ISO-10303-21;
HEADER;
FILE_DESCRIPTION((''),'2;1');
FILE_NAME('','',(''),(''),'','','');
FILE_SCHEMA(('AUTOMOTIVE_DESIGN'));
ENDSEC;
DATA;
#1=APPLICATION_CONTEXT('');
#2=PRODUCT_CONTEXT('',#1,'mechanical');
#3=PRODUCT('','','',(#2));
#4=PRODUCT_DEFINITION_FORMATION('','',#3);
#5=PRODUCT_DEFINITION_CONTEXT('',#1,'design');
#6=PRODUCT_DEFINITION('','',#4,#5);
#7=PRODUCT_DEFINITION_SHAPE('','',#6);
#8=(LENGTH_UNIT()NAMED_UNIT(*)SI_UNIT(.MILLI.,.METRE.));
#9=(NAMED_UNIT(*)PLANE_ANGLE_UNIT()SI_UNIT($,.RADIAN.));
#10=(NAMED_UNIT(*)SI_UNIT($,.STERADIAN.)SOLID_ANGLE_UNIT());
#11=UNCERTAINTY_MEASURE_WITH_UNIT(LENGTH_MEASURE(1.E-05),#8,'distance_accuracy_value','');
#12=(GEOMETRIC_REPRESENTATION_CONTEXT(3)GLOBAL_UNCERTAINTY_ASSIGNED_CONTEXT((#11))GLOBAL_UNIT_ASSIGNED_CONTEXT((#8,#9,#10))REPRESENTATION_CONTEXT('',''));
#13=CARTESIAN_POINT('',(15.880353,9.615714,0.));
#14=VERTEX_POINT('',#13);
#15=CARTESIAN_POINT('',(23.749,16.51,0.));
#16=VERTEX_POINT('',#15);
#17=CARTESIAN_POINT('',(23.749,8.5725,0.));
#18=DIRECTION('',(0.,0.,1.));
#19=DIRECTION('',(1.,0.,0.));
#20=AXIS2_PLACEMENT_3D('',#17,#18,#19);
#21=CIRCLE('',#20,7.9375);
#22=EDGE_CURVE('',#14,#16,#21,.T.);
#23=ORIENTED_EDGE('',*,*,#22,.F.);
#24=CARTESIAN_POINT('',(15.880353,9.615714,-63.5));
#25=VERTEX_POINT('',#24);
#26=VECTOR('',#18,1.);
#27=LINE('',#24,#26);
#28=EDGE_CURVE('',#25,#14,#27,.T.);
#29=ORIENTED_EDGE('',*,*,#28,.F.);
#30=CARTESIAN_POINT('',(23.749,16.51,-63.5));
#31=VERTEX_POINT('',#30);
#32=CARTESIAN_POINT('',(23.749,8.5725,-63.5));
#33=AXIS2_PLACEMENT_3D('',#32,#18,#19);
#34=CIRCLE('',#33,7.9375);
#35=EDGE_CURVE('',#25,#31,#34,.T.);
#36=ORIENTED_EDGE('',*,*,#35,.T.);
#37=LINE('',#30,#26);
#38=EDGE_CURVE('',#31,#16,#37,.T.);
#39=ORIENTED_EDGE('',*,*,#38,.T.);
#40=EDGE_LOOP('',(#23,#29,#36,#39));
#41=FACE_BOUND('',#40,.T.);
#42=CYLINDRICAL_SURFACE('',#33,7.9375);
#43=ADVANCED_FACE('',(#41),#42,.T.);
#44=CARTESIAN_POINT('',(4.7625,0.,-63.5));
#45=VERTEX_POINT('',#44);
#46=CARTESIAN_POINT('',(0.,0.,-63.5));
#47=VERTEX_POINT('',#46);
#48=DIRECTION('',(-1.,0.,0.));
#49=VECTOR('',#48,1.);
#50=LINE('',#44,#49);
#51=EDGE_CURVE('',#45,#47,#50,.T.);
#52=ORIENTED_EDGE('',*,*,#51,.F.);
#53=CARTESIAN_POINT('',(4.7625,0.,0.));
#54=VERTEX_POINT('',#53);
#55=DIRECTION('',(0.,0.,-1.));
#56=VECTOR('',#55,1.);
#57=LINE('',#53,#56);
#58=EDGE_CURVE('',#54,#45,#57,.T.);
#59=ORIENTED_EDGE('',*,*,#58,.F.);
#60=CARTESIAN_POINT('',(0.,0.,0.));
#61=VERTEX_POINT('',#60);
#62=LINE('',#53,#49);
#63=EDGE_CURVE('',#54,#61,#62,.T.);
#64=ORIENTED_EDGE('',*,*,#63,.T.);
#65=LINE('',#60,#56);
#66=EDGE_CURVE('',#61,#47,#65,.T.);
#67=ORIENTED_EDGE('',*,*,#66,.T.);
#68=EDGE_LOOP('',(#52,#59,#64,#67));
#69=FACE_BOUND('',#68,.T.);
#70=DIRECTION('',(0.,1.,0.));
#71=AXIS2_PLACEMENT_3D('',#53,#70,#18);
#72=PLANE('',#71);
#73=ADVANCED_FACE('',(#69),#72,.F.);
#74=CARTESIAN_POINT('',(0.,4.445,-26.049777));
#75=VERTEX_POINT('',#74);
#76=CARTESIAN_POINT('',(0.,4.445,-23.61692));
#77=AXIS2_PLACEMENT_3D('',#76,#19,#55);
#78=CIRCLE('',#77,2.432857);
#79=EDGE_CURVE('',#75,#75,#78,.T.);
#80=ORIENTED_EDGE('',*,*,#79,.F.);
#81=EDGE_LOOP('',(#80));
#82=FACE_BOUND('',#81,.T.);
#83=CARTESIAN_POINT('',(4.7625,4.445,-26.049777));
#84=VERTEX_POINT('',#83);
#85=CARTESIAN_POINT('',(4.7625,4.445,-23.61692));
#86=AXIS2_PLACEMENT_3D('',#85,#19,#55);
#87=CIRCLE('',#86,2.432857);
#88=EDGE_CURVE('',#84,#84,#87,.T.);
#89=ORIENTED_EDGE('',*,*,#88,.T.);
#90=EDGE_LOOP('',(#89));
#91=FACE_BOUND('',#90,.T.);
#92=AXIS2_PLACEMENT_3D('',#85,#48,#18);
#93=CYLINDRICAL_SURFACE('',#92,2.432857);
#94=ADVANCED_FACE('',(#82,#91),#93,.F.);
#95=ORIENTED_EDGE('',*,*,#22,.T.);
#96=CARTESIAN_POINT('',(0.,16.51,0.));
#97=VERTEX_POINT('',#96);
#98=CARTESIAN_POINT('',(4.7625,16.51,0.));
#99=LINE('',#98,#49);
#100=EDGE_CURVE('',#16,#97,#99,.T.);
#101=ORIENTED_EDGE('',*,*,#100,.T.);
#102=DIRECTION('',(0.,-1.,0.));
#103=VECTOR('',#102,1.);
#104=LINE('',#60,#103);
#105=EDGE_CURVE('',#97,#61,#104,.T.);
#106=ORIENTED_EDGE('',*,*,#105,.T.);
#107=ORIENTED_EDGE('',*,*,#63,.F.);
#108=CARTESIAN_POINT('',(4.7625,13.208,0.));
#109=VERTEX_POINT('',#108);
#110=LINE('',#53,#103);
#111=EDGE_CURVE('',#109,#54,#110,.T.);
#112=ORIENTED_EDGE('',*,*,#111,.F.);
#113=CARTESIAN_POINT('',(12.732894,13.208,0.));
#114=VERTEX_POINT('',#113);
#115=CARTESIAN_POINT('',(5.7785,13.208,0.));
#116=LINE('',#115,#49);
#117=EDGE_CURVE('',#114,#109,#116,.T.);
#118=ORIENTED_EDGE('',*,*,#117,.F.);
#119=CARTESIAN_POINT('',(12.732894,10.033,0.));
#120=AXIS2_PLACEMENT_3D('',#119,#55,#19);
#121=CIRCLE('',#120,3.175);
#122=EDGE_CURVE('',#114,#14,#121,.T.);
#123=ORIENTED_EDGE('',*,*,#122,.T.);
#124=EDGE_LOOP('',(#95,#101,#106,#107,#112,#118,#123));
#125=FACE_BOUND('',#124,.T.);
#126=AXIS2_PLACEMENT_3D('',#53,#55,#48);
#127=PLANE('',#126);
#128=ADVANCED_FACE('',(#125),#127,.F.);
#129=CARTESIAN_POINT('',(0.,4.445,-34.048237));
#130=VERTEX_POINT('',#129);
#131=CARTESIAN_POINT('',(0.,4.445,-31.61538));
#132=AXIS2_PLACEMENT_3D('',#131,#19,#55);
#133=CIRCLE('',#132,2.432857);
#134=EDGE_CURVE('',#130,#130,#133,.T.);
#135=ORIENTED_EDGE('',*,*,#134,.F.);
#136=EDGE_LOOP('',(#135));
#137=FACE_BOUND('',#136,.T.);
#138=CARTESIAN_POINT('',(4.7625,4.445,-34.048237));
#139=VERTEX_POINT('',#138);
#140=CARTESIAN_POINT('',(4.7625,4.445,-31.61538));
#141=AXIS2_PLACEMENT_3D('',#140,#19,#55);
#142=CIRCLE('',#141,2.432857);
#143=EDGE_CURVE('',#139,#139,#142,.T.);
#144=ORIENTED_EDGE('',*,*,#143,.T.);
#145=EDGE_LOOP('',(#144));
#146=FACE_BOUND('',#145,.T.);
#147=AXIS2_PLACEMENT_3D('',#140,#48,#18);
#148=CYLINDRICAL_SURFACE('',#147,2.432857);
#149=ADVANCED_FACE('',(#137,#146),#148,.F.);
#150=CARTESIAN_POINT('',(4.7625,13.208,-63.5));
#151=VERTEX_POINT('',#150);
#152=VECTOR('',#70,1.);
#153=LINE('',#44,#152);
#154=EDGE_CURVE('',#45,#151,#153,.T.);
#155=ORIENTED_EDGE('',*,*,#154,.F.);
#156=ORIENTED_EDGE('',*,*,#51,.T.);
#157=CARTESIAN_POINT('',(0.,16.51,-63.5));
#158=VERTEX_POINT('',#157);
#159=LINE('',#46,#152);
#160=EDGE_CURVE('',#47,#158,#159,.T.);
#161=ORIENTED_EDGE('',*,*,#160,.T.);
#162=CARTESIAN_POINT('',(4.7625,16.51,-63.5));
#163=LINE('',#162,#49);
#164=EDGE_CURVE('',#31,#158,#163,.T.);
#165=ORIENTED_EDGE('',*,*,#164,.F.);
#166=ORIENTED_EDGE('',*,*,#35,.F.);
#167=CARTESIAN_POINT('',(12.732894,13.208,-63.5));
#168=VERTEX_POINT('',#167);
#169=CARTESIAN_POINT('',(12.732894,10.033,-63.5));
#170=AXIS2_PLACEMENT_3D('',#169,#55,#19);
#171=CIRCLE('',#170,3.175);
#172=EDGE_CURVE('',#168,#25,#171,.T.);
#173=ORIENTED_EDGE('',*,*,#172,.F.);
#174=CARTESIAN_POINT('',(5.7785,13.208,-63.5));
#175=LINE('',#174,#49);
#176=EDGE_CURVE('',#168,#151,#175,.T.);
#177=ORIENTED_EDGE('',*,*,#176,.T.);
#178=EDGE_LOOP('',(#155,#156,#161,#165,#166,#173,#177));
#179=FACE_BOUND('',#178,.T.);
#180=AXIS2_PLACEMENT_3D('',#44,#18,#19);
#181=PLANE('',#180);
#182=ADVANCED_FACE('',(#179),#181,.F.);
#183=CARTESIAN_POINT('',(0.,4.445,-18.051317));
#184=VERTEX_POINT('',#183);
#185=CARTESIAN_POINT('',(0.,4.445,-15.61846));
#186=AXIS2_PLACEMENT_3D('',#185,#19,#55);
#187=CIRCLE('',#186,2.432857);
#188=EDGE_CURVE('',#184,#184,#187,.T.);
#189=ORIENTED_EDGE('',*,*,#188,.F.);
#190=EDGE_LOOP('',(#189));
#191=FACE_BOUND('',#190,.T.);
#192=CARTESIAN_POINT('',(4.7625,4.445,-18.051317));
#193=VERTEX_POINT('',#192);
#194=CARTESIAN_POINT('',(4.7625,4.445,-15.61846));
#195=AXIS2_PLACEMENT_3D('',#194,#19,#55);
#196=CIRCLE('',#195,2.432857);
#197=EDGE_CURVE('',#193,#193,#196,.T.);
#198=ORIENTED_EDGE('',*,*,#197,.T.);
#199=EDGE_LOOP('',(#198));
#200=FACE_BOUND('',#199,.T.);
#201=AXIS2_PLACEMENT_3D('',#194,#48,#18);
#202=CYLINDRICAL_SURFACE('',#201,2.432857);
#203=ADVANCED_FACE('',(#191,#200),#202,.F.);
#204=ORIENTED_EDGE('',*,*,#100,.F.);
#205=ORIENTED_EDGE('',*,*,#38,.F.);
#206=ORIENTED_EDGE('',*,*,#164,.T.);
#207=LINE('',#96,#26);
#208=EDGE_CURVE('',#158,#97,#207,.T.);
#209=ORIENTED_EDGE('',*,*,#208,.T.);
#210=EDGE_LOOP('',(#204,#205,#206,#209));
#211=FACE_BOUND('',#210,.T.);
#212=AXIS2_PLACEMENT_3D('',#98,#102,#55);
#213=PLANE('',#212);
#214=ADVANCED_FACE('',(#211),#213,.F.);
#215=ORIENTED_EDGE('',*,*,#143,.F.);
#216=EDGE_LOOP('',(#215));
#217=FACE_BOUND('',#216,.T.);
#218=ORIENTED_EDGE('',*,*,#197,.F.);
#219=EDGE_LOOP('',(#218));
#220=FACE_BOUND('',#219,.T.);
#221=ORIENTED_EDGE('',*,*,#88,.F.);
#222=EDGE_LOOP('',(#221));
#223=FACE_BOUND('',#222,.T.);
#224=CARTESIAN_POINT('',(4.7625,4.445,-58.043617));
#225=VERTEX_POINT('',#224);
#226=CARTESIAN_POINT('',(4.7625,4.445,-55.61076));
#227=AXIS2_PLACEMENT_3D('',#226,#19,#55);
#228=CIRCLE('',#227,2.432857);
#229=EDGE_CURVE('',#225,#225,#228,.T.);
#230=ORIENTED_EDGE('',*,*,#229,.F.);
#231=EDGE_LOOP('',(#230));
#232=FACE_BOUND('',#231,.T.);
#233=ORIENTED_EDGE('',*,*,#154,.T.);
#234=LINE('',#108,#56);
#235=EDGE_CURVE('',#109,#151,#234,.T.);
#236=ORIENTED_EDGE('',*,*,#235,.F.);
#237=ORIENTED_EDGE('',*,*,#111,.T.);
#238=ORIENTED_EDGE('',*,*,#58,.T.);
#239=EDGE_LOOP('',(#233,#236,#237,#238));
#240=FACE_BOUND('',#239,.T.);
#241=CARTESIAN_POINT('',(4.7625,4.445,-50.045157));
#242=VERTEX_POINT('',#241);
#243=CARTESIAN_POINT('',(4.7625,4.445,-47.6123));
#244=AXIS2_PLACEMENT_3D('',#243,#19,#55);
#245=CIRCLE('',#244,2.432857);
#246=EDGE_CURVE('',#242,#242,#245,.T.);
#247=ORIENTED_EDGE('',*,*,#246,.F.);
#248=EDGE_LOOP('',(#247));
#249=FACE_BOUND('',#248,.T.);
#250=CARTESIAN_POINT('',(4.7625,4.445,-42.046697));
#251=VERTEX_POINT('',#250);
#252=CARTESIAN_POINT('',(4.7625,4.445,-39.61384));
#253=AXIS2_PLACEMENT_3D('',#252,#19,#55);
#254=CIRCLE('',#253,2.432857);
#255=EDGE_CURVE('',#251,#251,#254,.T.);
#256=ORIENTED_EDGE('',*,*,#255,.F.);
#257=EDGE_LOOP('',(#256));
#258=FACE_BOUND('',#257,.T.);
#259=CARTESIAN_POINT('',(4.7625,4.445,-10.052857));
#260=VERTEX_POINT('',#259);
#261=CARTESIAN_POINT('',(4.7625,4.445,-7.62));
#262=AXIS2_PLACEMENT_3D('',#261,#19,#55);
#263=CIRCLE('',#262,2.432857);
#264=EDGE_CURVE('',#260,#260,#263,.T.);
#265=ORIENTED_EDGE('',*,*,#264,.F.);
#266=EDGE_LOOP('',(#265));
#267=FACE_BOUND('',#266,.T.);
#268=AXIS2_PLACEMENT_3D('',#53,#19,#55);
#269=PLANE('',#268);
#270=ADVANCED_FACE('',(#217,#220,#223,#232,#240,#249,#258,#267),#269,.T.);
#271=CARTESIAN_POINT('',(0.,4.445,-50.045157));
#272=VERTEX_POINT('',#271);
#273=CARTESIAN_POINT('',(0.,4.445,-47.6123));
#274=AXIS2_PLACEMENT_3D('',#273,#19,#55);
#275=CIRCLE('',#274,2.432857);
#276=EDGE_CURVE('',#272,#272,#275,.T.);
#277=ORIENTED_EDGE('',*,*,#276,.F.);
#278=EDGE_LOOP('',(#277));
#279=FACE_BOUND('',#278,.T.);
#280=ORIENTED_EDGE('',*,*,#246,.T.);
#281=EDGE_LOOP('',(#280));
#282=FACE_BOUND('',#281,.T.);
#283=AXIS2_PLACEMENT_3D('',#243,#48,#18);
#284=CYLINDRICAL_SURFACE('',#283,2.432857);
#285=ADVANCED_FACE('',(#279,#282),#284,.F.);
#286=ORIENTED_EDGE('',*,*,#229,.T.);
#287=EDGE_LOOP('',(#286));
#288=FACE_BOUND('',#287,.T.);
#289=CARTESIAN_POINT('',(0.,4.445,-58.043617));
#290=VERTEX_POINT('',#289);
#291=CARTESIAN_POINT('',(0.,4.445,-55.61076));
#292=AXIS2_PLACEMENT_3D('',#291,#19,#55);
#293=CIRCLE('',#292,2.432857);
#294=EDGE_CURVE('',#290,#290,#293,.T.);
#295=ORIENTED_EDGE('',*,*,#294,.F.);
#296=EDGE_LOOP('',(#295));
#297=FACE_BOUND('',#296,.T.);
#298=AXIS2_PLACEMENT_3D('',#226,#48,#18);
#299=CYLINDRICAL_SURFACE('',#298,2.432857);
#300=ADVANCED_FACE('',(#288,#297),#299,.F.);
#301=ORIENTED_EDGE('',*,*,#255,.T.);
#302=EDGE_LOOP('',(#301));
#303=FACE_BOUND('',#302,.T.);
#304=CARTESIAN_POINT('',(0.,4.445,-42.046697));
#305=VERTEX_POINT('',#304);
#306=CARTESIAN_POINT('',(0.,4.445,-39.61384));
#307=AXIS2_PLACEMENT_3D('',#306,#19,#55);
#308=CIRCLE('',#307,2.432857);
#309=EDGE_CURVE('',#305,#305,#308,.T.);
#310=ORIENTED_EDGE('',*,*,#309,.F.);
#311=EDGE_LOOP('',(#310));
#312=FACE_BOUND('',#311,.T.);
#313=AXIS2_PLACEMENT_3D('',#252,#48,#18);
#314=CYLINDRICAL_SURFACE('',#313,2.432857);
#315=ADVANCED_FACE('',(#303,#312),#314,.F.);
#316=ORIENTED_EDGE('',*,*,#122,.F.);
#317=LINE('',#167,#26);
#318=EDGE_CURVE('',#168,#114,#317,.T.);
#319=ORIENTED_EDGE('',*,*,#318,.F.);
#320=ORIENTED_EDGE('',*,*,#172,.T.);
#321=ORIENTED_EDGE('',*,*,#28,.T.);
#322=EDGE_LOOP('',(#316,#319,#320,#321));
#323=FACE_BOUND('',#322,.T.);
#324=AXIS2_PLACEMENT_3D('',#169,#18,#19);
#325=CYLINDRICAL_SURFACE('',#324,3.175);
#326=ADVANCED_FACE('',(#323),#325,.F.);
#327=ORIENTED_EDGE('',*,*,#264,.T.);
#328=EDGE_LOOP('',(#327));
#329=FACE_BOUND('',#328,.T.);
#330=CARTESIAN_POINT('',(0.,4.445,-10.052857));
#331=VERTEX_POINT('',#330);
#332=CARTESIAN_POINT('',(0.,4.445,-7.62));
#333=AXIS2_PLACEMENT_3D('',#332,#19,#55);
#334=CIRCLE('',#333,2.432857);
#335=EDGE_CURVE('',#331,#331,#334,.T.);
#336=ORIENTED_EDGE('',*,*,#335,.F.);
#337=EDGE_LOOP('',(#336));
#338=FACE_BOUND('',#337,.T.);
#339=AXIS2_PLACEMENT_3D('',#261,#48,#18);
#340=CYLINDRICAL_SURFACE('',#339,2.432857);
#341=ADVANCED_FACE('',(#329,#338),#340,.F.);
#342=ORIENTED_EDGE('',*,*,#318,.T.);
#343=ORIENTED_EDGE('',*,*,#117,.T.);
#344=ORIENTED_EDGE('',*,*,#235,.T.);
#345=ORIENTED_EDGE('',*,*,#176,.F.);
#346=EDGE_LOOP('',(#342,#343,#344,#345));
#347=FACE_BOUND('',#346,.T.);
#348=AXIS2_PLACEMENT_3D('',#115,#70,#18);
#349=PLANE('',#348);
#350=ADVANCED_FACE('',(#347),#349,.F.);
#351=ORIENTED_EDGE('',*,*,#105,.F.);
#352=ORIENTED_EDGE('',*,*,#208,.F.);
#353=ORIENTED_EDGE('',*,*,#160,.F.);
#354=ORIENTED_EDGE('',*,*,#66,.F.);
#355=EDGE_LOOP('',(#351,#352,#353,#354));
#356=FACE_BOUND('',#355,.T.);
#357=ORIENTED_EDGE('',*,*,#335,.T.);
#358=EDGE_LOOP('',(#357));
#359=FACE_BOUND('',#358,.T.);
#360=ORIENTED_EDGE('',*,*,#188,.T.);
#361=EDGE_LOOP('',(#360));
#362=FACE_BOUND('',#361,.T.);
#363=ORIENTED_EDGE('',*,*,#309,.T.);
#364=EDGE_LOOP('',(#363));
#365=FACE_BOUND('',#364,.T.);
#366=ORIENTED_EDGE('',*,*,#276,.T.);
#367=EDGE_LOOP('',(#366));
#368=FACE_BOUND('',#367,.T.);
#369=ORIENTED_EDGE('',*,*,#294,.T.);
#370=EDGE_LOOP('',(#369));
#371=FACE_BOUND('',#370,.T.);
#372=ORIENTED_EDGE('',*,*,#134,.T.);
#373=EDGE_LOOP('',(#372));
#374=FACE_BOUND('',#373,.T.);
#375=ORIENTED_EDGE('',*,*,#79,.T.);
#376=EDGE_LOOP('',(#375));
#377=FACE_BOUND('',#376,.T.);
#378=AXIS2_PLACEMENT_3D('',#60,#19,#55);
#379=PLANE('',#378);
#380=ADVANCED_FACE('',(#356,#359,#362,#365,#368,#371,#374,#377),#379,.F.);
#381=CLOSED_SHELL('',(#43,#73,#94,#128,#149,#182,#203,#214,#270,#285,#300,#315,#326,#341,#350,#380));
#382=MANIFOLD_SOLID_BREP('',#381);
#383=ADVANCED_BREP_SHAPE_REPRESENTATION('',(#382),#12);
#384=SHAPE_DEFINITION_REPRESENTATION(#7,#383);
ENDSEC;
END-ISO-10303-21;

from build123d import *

# Parameters (mm, degrees)
SKETCH1_W        = 16.51
SKETCH1_H        = 63.5
SKETCH1_R        = 2.432856576
EXTRUSION1_DEPTH = 4.7625
SKETCH2_W        = 63.5
SKETCH2_H        = 3.302
EXTRUSION2_DEPTH = 1.016
EXTRUSION3_DEPTH = 63.5


with BuildPart() as part:
    # Sketch1 → Extrusion1 (new body)
    with BuildSketch(Plane.YZ):
        with Locations((8.255, -31.75)):
            Rectangle(SKETCH1_W, SKETCH1_H)
        with Locations((4.445, -55.61076)):
            Circle(SKETCH1_R, mode=Mode.SUBTRACT)
        with Locations((4.445, -47.6123)):
            Circle(SKETCH1_R, mode=Mode.SUBTRACT)
        with Locations((4.445, -39.61384)):
            Circle(SKETCH1_R, mode=Mode.SUBTRACT)
        with Locations((4.445, -31.61538)):
            Circle(SKETCH1_R, mode=Mode.SUBTRACT)
        with Locations((4.445, -23.61692)):
            Circle(SKETCH1_R, mode=Mode.SUBTRACT)
        with Locations((4.445, -15.61846)):
            Circle(SKETCH1_R, mode=Mode.SUBTRACT)
        with Locations((4.445, -7.62)):
            Circle(SKETCH1_R, mode=Mode.SUBTRACT)
    extrude(amount=EXTRUSION1_DEPTH)

    # Sketch2 → Extrusion2 (add)
    with BuildSketch(Plane(origin=(4.7625, 0, 0), x_dir=(0, 0, -1), z_dir=(1, 0, 0))):
        with Locations((31.75, 14.859)):
            Rectangle(SKETCH2_W, SKETCH2_H)
    extrude(amount=EXTRUSION2_DEPTH)

    # Sketch3 → Extrusion3 (add)
    with BuildSketch(Plane.XY):
        with BuildLine():
            Line((23.749, 16.51), (5.7785, 16.51))
            Line((5.7785, 16.51), (5.7785, 13.208))
            Line((5.7785, 13.208), (12.732893791, 13.208))
            ThreePointArc((12.732893791, 13.208), (15.120937671, 12.125336356), (15.880352708, 9.615714286))
            ThreePointArc((15.880352708, 9.615714286), (28.979840891, 2.602390301), (23.749, 16.51))
        make_face()
    extrude(amount=-EXTRUSION3_DEPTH)


solid = part.part
